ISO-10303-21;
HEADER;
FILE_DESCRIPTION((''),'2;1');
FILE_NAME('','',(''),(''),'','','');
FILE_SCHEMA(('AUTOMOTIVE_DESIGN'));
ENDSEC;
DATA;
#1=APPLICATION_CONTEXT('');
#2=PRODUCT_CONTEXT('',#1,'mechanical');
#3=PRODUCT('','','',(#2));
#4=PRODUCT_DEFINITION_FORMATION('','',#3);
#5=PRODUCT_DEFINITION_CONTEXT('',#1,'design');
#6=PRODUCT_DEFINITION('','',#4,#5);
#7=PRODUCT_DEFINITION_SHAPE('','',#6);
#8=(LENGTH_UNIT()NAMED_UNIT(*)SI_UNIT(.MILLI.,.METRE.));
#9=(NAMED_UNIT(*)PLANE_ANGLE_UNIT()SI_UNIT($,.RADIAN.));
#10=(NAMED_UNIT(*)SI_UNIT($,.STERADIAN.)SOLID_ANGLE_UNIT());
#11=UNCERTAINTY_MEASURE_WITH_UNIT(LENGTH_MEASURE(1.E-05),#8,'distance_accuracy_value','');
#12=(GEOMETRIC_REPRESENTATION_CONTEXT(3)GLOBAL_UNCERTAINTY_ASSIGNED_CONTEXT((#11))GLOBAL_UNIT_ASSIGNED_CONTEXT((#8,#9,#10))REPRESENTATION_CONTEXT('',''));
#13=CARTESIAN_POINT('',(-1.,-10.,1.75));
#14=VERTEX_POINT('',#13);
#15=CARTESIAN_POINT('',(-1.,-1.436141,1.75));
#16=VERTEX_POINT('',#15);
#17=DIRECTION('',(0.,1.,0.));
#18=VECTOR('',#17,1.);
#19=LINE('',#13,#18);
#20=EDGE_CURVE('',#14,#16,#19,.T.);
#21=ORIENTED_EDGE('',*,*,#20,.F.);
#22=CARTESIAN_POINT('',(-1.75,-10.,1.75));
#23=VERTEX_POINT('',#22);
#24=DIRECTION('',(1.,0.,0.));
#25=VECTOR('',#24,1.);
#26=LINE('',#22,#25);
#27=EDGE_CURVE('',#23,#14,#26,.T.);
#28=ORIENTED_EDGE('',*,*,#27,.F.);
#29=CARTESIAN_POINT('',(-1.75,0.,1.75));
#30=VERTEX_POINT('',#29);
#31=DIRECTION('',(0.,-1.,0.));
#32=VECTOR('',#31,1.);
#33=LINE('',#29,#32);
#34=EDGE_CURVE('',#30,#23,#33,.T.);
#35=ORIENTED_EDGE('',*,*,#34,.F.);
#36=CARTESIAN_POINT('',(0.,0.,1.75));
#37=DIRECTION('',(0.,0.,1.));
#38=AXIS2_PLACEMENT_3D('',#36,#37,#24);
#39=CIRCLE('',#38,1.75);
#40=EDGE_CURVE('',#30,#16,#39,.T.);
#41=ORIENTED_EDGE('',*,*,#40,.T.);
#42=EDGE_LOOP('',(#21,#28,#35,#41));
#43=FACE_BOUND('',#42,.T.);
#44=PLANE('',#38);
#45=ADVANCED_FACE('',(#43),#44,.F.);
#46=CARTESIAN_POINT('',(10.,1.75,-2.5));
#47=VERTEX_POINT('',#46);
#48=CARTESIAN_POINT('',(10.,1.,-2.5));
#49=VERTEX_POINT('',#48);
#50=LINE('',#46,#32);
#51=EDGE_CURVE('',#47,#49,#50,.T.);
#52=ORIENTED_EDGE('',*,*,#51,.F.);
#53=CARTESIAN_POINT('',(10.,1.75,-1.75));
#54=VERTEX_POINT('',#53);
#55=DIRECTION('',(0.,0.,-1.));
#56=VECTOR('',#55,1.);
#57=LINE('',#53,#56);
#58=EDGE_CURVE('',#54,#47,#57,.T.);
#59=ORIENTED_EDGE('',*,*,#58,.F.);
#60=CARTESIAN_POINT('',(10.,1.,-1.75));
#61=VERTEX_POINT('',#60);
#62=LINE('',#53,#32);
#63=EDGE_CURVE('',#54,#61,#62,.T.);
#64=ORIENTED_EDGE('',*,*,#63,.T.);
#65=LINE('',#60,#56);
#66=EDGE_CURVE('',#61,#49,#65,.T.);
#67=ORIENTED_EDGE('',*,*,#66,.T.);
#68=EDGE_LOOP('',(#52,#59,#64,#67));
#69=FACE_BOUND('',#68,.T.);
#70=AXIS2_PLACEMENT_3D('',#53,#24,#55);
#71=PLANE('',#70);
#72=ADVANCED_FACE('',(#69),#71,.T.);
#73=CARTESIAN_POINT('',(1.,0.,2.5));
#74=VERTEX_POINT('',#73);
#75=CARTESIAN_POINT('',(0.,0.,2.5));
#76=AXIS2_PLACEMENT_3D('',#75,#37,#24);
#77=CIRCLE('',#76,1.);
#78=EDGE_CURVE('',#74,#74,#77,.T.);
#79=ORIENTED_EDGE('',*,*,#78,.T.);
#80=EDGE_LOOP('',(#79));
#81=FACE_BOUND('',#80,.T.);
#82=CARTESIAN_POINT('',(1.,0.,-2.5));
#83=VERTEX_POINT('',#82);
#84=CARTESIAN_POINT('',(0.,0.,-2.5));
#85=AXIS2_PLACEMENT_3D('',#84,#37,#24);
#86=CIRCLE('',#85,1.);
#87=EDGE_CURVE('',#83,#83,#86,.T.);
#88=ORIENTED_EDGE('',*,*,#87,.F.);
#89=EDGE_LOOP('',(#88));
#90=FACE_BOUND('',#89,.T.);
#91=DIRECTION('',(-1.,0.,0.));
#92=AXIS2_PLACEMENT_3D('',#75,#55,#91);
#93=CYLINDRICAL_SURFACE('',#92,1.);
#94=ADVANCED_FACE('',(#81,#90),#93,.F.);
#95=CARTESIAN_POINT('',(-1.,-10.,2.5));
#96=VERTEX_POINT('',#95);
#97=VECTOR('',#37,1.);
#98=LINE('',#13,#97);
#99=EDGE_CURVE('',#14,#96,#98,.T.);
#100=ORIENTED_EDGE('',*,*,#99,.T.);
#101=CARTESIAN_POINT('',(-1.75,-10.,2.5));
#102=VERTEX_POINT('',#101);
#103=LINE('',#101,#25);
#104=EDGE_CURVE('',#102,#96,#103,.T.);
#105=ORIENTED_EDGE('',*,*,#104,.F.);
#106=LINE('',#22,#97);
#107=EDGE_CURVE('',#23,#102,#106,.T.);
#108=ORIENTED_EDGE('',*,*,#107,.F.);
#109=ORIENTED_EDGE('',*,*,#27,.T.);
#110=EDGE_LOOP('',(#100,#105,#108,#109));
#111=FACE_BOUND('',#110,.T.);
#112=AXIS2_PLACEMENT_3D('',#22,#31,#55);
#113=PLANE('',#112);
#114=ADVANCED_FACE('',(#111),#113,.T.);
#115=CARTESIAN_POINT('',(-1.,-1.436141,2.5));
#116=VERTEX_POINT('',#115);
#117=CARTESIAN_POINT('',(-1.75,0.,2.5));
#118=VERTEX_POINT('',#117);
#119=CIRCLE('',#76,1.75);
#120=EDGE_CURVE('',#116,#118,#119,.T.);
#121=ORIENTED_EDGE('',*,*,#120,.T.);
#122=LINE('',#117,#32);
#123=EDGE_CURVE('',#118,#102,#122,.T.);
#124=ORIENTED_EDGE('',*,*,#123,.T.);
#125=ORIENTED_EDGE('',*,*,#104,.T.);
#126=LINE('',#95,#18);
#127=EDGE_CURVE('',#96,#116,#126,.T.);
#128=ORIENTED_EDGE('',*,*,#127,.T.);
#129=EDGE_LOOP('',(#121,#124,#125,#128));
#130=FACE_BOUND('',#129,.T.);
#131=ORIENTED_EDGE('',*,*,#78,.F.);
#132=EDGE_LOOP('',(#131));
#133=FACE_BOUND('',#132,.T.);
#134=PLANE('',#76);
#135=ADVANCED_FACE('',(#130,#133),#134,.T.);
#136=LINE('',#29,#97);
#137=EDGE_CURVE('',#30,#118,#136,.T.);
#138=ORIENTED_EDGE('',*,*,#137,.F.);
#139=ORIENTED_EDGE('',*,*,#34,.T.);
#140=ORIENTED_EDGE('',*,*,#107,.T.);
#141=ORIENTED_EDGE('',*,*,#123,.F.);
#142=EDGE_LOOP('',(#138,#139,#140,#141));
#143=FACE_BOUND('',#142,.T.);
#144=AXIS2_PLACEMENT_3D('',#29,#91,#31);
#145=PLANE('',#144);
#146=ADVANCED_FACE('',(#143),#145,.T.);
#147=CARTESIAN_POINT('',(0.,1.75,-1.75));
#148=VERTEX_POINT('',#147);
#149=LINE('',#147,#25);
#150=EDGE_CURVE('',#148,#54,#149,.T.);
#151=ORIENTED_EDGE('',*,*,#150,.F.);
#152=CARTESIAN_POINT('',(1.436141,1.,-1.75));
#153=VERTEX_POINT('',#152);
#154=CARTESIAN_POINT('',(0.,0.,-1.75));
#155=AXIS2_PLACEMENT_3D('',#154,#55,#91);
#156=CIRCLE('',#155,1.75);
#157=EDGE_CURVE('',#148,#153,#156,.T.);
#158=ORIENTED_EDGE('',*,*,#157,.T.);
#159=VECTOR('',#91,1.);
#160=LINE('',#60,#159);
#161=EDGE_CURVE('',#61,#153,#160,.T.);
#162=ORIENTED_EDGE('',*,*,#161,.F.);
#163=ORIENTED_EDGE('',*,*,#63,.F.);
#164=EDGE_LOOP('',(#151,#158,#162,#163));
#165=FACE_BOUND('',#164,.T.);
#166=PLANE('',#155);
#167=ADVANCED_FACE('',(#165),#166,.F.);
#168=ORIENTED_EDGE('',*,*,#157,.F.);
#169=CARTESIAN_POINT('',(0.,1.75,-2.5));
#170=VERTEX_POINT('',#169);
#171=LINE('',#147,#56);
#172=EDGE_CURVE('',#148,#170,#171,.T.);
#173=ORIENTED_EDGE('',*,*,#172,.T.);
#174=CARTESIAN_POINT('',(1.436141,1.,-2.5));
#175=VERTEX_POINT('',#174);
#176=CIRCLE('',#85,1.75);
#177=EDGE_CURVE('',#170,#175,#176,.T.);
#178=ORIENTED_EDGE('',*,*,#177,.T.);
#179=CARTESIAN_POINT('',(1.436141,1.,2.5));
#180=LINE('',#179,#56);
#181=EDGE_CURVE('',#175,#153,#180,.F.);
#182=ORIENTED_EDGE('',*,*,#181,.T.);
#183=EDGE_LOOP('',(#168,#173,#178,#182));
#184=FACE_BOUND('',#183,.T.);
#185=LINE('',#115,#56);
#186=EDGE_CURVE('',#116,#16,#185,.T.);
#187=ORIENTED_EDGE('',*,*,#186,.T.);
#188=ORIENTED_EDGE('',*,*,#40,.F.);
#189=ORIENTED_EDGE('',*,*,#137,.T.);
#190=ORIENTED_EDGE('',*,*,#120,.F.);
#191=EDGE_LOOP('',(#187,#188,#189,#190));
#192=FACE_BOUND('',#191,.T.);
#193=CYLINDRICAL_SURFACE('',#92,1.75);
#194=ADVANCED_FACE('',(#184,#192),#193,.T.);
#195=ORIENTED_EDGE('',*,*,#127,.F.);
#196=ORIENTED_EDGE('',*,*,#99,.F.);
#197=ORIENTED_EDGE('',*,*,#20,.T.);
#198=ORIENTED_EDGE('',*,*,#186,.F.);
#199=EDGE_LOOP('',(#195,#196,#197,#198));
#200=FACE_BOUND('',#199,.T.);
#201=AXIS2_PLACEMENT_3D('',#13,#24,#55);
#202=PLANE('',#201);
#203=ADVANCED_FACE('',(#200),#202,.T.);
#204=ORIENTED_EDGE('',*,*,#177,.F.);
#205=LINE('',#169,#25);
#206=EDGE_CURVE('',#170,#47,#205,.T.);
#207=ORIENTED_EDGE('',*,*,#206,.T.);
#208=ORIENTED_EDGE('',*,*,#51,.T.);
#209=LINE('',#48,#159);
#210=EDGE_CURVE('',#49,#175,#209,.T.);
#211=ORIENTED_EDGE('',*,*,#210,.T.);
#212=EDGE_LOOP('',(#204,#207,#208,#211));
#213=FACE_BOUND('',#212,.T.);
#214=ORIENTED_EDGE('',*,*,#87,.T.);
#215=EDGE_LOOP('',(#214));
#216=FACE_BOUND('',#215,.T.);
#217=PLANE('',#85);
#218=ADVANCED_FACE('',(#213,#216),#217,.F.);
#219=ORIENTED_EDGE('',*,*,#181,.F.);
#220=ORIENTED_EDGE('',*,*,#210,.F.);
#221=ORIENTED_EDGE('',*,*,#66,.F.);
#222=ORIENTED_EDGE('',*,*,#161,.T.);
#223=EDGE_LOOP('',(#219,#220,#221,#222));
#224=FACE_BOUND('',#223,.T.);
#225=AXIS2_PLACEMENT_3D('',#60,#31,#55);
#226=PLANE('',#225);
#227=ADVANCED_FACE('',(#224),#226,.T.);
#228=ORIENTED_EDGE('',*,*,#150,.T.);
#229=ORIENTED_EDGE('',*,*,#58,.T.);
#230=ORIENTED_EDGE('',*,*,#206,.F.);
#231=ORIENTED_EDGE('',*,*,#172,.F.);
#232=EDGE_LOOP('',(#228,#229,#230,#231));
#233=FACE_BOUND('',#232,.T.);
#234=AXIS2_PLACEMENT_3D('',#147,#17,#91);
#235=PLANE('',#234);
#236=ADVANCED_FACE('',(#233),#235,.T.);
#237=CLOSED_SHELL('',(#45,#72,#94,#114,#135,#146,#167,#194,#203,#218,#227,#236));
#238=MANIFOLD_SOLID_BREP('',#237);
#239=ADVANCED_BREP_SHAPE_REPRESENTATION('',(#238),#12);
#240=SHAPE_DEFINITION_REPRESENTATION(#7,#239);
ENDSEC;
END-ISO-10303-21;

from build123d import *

# Parameters (mm, degrees)
SKETCH_1_R      = 1.75
SKETCH_1_R_2    = 1
EXTRUDE_1_DEPTH = 2.5
SKETCH_3_W      = 0.75
SKETCH_3_H      = 10
EXTRUDE_2_DEPTH = 0.75
SKETCH_4_W      = 10
SKETCH_4_H      = 0.75
EXTRUDE_3_DEPTH = 0.75


with BuildPart() as part:
    # 草图1 → 凸台-拉伸1 (new, symmetric)
    with BuildSketch(Plane.XY):
        Circle(SKETCH_1_R)
        Circle(SKETCH_1_R_2, mode=Mode.SUBTRACT)
    extrude(amount=EXTRUDE_1_DEPTH, both=True)

    # 草图3 → 凸台-拉伸2 (add)
    with BuildSketch(Plane.XY.offset(2.5)):
        with Locations((-1.375, -5)):
            Rectangle(SKETCH_3_W, SKETCH_3_H)
    extrude(amount=-EXTRUDE_2_DEPTH)

    # 草图4 → 凸台-拉伸3 (add)
    with BuildSketch(Plane(origin=(0, 0, -2.5), x_dir=(-1, 0, 0), z_dir=(0, 0, -1))):
        with Locations((-5, 1.375)):
            Rectangle(SKETCH_4_W, SKETCH_4_H)
    extrude(amount=-EXTRUDE_3_DEPTH)


solid = part.part
